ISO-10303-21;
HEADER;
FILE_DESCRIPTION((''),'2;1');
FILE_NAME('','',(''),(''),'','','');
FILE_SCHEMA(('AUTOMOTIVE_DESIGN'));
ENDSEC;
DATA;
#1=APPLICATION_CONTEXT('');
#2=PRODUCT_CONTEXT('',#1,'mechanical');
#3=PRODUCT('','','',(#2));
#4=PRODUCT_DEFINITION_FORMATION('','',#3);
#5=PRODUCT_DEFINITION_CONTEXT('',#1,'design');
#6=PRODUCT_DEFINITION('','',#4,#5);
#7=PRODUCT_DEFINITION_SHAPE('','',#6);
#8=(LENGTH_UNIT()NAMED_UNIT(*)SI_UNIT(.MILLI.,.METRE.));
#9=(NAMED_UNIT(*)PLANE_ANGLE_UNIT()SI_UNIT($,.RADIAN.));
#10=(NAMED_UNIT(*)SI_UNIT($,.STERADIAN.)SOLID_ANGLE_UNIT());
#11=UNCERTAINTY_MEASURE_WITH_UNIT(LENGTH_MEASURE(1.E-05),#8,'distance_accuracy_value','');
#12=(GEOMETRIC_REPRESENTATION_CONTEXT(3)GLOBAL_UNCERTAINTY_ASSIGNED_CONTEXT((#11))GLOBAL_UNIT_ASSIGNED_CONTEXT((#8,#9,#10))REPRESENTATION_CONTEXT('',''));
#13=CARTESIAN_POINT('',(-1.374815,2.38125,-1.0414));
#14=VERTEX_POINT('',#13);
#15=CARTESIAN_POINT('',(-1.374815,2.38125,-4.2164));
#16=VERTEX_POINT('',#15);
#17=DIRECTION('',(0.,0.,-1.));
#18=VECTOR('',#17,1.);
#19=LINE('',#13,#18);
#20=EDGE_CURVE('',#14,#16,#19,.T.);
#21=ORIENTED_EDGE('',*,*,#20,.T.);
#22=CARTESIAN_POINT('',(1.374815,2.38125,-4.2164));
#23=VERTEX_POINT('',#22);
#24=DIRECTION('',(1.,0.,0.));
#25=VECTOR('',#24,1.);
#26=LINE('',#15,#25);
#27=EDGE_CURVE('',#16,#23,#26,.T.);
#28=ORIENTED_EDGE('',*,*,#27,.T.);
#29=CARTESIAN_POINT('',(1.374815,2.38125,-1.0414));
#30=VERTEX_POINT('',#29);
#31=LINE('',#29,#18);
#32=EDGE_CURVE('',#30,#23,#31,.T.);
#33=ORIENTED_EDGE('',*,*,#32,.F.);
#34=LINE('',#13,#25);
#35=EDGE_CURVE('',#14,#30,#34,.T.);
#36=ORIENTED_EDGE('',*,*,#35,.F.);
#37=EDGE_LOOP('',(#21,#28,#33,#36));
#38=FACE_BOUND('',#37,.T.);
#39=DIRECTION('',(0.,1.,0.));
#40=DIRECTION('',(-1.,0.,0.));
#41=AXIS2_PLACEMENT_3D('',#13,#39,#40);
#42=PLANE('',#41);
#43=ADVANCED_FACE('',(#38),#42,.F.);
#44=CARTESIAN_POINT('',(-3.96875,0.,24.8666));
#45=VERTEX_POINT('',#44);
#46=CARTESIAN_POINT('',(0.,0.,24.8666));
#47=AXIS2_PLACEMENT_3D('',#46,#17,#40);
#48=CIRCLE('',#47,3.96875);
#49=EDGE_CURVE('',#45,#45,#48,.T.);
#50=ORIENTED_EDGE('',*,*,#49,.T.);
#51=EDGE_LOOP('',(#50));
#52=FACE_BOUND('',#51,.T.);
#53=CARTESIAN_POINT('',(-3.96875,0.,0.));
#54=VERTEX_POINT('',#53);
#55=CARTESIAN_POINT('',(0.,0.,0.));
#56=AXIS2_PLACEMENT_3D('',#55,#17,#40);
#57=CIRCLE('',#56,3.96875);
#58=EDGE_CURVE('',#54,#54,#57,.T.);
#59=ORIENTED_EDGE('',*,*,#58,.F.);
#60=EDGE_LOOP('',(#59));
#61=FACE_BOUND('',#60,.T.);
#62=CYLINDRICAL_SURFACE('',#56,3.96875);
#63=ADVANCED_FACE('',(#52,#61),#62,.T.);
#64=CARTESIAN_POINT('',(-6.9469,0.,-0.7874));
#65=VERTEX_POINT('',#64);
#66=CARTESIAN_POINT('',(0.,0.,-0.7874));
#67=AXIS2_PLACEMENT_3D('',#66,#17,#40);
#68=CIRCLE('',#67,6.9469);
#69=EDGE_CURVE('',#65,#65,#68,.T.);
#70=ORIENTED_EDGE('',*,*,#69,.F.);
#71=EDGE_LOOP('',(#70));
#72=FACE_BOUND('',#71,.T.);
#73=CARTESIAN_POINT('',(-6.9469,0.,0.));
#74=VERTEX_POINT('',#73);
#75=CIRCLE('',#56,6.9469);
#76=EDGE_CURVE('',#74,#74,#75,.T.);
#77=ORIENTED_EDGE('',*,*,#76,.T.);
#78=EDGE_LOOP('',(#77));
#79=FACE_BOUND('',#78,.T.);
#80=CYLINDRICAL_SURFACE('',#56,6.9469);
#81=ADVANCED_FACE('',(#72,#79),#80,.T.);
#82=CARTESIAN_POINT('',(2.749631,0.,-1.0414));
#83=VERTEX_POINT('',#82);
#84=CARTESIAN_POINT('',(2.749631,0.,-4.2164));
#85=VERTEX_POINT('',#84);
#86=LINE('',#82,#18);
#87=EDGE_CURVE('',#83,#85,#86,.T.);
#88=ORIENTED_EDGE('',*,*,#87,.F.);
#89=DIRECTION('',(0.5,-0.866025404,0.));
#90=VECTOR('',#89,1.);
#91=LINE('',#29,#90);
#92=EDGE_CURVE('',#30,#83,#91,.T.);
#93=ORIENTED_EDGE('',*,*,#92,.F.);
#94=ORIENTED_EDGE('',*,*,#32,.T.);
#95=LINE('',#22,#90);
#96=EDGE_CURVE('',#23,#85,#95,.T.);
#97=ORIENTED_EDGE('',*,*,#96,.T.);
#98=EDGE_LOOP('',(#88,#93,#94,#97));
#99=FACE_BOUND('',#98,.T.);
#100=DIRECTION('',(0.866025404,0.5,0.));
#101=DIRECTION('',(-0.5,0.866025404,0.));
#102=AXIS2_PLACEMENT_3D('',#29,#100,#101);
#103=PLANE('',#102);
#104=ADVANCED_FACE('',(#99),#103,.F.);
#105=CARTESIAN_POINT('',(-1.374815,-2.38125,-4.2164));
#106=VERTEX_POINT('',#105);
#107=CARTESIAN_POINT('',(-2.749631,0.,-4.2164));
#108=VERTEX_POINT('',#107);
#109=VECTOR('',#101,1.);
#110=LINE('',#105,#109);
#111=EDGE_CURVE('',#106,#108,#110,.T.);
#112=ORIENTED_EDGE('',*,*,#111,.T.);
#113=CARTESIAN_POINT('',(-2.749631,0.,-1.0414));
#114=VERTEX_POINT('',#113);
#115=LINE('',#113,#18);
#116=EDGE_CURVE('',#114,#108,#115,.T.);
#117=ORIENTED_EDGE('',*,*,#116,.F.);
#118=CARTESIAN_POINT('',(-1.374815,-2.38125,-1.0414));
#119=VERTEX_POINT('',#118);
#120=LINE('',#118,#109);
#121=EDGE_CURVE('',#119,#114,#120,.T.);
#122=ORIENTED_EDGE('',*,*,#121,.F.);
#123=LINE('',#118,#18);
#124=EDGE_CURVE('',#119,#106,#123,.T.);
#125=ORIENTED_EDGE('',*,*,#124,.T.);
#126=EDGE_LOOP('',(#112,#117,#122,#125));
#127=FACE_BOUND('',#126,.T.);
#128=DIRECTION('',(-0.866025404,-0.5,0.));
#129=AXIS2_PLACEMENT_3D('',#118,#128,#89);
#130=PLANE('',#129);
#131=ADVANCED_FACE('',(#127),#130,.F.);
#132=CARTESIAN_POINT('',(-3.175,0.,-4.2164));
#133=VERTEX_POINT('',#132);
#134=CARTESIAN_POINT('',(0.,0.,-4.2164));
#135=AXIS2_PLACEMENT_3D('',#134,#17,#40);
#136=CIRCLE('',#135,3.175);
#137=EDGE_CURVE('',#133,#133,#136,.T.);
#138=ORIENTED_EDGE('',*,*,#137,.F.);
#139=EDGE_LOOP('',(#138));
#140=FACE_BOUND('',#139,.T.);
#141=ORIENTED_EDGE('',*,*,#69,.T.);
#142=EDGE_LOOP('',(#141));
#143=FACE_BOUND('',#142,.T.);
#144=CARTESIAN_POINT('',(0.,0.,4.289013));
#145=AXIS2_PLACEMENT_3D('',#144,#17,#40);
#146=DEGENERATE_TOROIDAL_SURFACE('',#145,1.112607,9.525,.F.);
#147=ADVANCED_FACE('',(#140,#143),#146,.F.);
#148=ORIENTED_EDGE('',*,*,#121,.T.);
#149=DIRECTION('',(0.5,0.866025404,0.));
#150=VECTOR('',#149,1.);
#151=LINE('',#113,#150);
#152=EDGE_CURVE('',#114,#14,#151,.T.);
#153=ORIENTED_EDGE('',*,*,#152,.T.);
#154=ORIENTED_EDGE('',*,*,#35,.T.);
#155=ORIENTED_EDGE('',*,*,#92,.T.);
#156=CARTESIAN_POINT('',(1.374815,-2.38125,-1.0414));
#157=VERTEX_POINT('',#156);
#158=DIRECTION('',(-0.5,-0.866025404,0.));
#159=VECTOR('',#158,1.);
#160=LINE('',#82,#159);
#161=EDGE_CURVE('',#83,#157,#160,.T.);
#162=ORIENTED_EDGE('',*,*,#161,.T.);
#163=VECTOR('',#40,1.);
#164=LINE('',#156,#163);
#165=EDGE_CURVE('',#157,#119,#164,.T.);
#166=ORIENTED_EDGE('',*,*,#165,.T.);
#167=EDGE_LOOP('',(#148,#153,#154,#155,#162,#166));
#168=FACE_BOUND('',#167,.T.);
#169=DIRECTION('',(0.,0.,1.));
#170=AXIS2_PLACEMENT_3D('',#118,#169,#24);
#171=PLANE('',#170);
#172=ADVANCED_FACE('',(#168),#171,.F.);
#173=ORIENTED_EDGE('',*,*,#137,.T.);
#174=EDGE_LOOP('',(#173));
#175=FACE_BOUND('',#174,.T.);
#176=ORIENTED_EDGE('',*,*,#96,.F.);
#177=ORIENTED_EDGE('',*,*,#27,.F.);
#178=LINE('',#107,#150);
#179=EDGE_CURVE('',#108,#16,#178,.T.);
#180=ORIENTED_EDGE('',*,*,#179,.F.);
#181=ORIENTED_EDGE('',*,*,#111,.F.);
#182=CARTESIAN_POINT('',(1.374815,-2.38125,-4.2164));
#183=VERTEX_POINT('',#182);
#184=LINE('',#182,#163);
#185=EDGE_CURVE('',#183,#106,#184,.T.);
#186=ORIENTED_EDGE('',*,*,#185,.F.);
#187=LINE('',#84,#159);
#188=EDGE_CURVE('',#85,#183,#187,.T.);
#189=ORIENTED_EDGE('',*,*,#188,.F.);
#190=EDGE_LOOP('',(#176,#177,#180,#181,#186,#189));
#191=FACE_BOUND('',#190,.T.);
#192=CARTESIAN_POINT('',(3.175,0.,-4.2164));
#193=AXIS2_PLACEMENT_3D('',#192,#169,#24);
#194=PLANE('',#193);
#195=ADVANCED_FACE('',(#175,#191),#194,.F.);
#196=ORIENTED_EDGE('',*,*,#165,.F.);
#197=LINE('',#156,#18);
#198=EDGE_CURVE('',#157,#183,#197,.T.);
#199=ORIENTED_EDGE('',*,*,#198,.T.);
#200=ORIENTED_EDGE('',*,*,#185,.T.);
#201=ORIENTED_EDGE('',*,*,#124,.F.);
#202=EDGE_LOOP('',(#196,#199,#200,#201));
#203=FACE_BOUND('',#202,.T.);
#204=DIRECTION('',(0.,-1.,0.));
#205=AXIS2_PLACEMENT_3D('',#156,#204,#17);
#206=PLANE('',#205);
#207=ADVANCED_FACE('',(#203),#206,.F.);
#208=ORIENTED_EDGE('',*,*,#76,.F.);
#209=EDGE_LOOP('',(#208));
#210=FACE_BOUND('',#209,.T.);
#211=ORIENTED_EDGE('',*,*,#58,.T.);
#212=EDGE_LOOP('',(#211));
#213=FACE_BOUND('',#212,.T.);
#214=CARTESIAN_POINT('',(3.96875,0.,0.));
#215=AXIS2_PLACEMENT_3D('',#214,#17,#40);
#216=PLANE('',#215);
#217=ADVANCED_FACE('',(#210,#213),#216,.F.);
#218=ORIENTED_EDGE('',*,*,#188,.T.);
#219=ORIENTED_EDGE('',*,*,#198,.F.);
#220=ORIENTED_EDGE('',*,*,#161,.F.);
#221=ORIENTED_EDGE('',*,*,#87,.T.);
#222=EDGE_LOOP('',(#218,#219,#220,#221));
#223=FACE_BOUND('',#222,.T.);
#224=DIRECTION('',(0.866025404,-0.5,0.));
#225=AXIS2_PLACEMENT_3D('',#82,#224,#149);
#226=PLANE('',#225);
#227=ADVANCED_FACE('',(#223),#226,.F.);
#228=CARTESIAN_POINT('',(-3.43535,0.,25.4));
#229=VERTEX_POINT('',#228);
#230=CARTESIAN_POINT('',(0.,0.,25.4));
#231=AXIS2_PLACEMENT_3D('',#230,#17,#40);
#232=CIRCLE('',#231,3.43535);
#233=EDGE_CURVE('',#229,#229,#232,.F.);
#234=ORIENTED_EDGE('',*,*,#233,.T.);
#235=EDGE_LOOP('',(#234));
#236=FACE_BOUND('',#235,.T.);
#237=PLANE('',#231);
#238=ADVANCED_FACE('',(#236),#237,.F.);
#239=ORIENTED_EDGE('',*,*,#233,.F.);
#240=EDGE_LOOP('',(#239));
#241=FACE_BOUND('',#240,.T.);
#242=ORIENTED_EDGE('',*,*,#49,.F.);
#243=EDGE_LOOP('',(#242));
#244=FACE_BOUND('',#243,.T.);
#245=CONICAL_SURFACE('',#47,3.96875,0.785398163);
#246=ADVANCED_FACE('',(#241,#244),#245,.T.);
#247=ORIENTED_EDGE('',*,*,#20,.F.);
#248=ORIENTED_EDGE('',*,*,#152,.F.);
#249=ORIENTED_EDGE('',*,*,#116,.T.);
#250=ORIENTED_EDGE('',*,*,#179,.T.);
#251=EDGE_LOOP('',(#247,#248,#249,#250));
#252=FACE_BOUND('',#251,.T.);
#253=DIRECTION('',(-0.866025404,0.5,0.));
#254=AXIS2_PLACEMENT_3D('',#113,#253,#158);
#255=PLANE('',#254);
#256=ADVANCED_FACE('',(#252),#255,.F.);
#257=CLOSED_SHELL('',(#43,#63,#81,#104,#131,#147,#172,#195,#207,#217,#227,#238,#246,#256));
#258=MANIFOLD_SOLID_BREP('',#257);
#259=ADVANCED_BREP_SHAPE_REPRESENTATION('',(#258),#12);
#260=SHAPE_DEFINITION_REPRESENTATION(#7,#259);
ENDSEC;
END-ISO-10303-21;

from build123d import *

# Parameters (mm, degrees)
CUT_EXTRUDE1_DEPTH = 3.175
CHAMFER1_SIZE      = 0.5334


with BuildPart() as part:
    # Sketch1 → Revolve1 (revolve)
    with BuildSketch(Plane(origin=(0, 0, 0), x_dir=(1, 0, 0), z_dir=(0, 1, 0)), mode=Mode.PRIVATE) as revolve1_sk:
        with BuildLine():
            Line((0, 0), (0, -25.4))
            Line((0, -25.4), (3.96875, -25.4))
            Line((3.96875, -25.4), (3.96875, 0))
            Line((3.96875, 0), (6.9469, 0))
            Line((6.9469, 0), (6.9469, 0.7874))
            ThreePointArc((6.9469, 0.7874), (5.294601142, 2.758916257), (3.175, 4.2164))
            Line((3.175, 4.2164), (0, 4.2164))
            Line((0, 4.2164), (0, 0))
        make_face()
    revolve(revolve1_sk.sketch.rotate(Axis((0, 0, 0), (0, 0, 1)), 180), axis=Axis((0, 0, 0), (0, 0, 1)))

    # Sketch2 → Cut-Extrude1 (cut)
    with BuildSketch(Plane(origin=(0, 0, -4.2164), x_dir=(-1, 0, 0), z_dir=(0, 0, -1))):
        Polygon((2.749630657, 0), (1.374815329, 2.38125), (-1.374815329, 2.38125), (-2.749630657, 0), (-1.374815329, -2.38125), (1.374815329, -2.38125), align=None)
    extrude(amount=-CUT_EXTRUDE1_DEPTH, mode=Mode.SUBTRACT)

    # Chamfer1
    chamfer1_edges = [part.edges().sort_by_distance(p)[0] for p in [
        (3.96875, 0, 25.4),
    ]]
    chamfer(chamfer1_edges, length=CHAMFER1_SIZE)


solid = part.part
